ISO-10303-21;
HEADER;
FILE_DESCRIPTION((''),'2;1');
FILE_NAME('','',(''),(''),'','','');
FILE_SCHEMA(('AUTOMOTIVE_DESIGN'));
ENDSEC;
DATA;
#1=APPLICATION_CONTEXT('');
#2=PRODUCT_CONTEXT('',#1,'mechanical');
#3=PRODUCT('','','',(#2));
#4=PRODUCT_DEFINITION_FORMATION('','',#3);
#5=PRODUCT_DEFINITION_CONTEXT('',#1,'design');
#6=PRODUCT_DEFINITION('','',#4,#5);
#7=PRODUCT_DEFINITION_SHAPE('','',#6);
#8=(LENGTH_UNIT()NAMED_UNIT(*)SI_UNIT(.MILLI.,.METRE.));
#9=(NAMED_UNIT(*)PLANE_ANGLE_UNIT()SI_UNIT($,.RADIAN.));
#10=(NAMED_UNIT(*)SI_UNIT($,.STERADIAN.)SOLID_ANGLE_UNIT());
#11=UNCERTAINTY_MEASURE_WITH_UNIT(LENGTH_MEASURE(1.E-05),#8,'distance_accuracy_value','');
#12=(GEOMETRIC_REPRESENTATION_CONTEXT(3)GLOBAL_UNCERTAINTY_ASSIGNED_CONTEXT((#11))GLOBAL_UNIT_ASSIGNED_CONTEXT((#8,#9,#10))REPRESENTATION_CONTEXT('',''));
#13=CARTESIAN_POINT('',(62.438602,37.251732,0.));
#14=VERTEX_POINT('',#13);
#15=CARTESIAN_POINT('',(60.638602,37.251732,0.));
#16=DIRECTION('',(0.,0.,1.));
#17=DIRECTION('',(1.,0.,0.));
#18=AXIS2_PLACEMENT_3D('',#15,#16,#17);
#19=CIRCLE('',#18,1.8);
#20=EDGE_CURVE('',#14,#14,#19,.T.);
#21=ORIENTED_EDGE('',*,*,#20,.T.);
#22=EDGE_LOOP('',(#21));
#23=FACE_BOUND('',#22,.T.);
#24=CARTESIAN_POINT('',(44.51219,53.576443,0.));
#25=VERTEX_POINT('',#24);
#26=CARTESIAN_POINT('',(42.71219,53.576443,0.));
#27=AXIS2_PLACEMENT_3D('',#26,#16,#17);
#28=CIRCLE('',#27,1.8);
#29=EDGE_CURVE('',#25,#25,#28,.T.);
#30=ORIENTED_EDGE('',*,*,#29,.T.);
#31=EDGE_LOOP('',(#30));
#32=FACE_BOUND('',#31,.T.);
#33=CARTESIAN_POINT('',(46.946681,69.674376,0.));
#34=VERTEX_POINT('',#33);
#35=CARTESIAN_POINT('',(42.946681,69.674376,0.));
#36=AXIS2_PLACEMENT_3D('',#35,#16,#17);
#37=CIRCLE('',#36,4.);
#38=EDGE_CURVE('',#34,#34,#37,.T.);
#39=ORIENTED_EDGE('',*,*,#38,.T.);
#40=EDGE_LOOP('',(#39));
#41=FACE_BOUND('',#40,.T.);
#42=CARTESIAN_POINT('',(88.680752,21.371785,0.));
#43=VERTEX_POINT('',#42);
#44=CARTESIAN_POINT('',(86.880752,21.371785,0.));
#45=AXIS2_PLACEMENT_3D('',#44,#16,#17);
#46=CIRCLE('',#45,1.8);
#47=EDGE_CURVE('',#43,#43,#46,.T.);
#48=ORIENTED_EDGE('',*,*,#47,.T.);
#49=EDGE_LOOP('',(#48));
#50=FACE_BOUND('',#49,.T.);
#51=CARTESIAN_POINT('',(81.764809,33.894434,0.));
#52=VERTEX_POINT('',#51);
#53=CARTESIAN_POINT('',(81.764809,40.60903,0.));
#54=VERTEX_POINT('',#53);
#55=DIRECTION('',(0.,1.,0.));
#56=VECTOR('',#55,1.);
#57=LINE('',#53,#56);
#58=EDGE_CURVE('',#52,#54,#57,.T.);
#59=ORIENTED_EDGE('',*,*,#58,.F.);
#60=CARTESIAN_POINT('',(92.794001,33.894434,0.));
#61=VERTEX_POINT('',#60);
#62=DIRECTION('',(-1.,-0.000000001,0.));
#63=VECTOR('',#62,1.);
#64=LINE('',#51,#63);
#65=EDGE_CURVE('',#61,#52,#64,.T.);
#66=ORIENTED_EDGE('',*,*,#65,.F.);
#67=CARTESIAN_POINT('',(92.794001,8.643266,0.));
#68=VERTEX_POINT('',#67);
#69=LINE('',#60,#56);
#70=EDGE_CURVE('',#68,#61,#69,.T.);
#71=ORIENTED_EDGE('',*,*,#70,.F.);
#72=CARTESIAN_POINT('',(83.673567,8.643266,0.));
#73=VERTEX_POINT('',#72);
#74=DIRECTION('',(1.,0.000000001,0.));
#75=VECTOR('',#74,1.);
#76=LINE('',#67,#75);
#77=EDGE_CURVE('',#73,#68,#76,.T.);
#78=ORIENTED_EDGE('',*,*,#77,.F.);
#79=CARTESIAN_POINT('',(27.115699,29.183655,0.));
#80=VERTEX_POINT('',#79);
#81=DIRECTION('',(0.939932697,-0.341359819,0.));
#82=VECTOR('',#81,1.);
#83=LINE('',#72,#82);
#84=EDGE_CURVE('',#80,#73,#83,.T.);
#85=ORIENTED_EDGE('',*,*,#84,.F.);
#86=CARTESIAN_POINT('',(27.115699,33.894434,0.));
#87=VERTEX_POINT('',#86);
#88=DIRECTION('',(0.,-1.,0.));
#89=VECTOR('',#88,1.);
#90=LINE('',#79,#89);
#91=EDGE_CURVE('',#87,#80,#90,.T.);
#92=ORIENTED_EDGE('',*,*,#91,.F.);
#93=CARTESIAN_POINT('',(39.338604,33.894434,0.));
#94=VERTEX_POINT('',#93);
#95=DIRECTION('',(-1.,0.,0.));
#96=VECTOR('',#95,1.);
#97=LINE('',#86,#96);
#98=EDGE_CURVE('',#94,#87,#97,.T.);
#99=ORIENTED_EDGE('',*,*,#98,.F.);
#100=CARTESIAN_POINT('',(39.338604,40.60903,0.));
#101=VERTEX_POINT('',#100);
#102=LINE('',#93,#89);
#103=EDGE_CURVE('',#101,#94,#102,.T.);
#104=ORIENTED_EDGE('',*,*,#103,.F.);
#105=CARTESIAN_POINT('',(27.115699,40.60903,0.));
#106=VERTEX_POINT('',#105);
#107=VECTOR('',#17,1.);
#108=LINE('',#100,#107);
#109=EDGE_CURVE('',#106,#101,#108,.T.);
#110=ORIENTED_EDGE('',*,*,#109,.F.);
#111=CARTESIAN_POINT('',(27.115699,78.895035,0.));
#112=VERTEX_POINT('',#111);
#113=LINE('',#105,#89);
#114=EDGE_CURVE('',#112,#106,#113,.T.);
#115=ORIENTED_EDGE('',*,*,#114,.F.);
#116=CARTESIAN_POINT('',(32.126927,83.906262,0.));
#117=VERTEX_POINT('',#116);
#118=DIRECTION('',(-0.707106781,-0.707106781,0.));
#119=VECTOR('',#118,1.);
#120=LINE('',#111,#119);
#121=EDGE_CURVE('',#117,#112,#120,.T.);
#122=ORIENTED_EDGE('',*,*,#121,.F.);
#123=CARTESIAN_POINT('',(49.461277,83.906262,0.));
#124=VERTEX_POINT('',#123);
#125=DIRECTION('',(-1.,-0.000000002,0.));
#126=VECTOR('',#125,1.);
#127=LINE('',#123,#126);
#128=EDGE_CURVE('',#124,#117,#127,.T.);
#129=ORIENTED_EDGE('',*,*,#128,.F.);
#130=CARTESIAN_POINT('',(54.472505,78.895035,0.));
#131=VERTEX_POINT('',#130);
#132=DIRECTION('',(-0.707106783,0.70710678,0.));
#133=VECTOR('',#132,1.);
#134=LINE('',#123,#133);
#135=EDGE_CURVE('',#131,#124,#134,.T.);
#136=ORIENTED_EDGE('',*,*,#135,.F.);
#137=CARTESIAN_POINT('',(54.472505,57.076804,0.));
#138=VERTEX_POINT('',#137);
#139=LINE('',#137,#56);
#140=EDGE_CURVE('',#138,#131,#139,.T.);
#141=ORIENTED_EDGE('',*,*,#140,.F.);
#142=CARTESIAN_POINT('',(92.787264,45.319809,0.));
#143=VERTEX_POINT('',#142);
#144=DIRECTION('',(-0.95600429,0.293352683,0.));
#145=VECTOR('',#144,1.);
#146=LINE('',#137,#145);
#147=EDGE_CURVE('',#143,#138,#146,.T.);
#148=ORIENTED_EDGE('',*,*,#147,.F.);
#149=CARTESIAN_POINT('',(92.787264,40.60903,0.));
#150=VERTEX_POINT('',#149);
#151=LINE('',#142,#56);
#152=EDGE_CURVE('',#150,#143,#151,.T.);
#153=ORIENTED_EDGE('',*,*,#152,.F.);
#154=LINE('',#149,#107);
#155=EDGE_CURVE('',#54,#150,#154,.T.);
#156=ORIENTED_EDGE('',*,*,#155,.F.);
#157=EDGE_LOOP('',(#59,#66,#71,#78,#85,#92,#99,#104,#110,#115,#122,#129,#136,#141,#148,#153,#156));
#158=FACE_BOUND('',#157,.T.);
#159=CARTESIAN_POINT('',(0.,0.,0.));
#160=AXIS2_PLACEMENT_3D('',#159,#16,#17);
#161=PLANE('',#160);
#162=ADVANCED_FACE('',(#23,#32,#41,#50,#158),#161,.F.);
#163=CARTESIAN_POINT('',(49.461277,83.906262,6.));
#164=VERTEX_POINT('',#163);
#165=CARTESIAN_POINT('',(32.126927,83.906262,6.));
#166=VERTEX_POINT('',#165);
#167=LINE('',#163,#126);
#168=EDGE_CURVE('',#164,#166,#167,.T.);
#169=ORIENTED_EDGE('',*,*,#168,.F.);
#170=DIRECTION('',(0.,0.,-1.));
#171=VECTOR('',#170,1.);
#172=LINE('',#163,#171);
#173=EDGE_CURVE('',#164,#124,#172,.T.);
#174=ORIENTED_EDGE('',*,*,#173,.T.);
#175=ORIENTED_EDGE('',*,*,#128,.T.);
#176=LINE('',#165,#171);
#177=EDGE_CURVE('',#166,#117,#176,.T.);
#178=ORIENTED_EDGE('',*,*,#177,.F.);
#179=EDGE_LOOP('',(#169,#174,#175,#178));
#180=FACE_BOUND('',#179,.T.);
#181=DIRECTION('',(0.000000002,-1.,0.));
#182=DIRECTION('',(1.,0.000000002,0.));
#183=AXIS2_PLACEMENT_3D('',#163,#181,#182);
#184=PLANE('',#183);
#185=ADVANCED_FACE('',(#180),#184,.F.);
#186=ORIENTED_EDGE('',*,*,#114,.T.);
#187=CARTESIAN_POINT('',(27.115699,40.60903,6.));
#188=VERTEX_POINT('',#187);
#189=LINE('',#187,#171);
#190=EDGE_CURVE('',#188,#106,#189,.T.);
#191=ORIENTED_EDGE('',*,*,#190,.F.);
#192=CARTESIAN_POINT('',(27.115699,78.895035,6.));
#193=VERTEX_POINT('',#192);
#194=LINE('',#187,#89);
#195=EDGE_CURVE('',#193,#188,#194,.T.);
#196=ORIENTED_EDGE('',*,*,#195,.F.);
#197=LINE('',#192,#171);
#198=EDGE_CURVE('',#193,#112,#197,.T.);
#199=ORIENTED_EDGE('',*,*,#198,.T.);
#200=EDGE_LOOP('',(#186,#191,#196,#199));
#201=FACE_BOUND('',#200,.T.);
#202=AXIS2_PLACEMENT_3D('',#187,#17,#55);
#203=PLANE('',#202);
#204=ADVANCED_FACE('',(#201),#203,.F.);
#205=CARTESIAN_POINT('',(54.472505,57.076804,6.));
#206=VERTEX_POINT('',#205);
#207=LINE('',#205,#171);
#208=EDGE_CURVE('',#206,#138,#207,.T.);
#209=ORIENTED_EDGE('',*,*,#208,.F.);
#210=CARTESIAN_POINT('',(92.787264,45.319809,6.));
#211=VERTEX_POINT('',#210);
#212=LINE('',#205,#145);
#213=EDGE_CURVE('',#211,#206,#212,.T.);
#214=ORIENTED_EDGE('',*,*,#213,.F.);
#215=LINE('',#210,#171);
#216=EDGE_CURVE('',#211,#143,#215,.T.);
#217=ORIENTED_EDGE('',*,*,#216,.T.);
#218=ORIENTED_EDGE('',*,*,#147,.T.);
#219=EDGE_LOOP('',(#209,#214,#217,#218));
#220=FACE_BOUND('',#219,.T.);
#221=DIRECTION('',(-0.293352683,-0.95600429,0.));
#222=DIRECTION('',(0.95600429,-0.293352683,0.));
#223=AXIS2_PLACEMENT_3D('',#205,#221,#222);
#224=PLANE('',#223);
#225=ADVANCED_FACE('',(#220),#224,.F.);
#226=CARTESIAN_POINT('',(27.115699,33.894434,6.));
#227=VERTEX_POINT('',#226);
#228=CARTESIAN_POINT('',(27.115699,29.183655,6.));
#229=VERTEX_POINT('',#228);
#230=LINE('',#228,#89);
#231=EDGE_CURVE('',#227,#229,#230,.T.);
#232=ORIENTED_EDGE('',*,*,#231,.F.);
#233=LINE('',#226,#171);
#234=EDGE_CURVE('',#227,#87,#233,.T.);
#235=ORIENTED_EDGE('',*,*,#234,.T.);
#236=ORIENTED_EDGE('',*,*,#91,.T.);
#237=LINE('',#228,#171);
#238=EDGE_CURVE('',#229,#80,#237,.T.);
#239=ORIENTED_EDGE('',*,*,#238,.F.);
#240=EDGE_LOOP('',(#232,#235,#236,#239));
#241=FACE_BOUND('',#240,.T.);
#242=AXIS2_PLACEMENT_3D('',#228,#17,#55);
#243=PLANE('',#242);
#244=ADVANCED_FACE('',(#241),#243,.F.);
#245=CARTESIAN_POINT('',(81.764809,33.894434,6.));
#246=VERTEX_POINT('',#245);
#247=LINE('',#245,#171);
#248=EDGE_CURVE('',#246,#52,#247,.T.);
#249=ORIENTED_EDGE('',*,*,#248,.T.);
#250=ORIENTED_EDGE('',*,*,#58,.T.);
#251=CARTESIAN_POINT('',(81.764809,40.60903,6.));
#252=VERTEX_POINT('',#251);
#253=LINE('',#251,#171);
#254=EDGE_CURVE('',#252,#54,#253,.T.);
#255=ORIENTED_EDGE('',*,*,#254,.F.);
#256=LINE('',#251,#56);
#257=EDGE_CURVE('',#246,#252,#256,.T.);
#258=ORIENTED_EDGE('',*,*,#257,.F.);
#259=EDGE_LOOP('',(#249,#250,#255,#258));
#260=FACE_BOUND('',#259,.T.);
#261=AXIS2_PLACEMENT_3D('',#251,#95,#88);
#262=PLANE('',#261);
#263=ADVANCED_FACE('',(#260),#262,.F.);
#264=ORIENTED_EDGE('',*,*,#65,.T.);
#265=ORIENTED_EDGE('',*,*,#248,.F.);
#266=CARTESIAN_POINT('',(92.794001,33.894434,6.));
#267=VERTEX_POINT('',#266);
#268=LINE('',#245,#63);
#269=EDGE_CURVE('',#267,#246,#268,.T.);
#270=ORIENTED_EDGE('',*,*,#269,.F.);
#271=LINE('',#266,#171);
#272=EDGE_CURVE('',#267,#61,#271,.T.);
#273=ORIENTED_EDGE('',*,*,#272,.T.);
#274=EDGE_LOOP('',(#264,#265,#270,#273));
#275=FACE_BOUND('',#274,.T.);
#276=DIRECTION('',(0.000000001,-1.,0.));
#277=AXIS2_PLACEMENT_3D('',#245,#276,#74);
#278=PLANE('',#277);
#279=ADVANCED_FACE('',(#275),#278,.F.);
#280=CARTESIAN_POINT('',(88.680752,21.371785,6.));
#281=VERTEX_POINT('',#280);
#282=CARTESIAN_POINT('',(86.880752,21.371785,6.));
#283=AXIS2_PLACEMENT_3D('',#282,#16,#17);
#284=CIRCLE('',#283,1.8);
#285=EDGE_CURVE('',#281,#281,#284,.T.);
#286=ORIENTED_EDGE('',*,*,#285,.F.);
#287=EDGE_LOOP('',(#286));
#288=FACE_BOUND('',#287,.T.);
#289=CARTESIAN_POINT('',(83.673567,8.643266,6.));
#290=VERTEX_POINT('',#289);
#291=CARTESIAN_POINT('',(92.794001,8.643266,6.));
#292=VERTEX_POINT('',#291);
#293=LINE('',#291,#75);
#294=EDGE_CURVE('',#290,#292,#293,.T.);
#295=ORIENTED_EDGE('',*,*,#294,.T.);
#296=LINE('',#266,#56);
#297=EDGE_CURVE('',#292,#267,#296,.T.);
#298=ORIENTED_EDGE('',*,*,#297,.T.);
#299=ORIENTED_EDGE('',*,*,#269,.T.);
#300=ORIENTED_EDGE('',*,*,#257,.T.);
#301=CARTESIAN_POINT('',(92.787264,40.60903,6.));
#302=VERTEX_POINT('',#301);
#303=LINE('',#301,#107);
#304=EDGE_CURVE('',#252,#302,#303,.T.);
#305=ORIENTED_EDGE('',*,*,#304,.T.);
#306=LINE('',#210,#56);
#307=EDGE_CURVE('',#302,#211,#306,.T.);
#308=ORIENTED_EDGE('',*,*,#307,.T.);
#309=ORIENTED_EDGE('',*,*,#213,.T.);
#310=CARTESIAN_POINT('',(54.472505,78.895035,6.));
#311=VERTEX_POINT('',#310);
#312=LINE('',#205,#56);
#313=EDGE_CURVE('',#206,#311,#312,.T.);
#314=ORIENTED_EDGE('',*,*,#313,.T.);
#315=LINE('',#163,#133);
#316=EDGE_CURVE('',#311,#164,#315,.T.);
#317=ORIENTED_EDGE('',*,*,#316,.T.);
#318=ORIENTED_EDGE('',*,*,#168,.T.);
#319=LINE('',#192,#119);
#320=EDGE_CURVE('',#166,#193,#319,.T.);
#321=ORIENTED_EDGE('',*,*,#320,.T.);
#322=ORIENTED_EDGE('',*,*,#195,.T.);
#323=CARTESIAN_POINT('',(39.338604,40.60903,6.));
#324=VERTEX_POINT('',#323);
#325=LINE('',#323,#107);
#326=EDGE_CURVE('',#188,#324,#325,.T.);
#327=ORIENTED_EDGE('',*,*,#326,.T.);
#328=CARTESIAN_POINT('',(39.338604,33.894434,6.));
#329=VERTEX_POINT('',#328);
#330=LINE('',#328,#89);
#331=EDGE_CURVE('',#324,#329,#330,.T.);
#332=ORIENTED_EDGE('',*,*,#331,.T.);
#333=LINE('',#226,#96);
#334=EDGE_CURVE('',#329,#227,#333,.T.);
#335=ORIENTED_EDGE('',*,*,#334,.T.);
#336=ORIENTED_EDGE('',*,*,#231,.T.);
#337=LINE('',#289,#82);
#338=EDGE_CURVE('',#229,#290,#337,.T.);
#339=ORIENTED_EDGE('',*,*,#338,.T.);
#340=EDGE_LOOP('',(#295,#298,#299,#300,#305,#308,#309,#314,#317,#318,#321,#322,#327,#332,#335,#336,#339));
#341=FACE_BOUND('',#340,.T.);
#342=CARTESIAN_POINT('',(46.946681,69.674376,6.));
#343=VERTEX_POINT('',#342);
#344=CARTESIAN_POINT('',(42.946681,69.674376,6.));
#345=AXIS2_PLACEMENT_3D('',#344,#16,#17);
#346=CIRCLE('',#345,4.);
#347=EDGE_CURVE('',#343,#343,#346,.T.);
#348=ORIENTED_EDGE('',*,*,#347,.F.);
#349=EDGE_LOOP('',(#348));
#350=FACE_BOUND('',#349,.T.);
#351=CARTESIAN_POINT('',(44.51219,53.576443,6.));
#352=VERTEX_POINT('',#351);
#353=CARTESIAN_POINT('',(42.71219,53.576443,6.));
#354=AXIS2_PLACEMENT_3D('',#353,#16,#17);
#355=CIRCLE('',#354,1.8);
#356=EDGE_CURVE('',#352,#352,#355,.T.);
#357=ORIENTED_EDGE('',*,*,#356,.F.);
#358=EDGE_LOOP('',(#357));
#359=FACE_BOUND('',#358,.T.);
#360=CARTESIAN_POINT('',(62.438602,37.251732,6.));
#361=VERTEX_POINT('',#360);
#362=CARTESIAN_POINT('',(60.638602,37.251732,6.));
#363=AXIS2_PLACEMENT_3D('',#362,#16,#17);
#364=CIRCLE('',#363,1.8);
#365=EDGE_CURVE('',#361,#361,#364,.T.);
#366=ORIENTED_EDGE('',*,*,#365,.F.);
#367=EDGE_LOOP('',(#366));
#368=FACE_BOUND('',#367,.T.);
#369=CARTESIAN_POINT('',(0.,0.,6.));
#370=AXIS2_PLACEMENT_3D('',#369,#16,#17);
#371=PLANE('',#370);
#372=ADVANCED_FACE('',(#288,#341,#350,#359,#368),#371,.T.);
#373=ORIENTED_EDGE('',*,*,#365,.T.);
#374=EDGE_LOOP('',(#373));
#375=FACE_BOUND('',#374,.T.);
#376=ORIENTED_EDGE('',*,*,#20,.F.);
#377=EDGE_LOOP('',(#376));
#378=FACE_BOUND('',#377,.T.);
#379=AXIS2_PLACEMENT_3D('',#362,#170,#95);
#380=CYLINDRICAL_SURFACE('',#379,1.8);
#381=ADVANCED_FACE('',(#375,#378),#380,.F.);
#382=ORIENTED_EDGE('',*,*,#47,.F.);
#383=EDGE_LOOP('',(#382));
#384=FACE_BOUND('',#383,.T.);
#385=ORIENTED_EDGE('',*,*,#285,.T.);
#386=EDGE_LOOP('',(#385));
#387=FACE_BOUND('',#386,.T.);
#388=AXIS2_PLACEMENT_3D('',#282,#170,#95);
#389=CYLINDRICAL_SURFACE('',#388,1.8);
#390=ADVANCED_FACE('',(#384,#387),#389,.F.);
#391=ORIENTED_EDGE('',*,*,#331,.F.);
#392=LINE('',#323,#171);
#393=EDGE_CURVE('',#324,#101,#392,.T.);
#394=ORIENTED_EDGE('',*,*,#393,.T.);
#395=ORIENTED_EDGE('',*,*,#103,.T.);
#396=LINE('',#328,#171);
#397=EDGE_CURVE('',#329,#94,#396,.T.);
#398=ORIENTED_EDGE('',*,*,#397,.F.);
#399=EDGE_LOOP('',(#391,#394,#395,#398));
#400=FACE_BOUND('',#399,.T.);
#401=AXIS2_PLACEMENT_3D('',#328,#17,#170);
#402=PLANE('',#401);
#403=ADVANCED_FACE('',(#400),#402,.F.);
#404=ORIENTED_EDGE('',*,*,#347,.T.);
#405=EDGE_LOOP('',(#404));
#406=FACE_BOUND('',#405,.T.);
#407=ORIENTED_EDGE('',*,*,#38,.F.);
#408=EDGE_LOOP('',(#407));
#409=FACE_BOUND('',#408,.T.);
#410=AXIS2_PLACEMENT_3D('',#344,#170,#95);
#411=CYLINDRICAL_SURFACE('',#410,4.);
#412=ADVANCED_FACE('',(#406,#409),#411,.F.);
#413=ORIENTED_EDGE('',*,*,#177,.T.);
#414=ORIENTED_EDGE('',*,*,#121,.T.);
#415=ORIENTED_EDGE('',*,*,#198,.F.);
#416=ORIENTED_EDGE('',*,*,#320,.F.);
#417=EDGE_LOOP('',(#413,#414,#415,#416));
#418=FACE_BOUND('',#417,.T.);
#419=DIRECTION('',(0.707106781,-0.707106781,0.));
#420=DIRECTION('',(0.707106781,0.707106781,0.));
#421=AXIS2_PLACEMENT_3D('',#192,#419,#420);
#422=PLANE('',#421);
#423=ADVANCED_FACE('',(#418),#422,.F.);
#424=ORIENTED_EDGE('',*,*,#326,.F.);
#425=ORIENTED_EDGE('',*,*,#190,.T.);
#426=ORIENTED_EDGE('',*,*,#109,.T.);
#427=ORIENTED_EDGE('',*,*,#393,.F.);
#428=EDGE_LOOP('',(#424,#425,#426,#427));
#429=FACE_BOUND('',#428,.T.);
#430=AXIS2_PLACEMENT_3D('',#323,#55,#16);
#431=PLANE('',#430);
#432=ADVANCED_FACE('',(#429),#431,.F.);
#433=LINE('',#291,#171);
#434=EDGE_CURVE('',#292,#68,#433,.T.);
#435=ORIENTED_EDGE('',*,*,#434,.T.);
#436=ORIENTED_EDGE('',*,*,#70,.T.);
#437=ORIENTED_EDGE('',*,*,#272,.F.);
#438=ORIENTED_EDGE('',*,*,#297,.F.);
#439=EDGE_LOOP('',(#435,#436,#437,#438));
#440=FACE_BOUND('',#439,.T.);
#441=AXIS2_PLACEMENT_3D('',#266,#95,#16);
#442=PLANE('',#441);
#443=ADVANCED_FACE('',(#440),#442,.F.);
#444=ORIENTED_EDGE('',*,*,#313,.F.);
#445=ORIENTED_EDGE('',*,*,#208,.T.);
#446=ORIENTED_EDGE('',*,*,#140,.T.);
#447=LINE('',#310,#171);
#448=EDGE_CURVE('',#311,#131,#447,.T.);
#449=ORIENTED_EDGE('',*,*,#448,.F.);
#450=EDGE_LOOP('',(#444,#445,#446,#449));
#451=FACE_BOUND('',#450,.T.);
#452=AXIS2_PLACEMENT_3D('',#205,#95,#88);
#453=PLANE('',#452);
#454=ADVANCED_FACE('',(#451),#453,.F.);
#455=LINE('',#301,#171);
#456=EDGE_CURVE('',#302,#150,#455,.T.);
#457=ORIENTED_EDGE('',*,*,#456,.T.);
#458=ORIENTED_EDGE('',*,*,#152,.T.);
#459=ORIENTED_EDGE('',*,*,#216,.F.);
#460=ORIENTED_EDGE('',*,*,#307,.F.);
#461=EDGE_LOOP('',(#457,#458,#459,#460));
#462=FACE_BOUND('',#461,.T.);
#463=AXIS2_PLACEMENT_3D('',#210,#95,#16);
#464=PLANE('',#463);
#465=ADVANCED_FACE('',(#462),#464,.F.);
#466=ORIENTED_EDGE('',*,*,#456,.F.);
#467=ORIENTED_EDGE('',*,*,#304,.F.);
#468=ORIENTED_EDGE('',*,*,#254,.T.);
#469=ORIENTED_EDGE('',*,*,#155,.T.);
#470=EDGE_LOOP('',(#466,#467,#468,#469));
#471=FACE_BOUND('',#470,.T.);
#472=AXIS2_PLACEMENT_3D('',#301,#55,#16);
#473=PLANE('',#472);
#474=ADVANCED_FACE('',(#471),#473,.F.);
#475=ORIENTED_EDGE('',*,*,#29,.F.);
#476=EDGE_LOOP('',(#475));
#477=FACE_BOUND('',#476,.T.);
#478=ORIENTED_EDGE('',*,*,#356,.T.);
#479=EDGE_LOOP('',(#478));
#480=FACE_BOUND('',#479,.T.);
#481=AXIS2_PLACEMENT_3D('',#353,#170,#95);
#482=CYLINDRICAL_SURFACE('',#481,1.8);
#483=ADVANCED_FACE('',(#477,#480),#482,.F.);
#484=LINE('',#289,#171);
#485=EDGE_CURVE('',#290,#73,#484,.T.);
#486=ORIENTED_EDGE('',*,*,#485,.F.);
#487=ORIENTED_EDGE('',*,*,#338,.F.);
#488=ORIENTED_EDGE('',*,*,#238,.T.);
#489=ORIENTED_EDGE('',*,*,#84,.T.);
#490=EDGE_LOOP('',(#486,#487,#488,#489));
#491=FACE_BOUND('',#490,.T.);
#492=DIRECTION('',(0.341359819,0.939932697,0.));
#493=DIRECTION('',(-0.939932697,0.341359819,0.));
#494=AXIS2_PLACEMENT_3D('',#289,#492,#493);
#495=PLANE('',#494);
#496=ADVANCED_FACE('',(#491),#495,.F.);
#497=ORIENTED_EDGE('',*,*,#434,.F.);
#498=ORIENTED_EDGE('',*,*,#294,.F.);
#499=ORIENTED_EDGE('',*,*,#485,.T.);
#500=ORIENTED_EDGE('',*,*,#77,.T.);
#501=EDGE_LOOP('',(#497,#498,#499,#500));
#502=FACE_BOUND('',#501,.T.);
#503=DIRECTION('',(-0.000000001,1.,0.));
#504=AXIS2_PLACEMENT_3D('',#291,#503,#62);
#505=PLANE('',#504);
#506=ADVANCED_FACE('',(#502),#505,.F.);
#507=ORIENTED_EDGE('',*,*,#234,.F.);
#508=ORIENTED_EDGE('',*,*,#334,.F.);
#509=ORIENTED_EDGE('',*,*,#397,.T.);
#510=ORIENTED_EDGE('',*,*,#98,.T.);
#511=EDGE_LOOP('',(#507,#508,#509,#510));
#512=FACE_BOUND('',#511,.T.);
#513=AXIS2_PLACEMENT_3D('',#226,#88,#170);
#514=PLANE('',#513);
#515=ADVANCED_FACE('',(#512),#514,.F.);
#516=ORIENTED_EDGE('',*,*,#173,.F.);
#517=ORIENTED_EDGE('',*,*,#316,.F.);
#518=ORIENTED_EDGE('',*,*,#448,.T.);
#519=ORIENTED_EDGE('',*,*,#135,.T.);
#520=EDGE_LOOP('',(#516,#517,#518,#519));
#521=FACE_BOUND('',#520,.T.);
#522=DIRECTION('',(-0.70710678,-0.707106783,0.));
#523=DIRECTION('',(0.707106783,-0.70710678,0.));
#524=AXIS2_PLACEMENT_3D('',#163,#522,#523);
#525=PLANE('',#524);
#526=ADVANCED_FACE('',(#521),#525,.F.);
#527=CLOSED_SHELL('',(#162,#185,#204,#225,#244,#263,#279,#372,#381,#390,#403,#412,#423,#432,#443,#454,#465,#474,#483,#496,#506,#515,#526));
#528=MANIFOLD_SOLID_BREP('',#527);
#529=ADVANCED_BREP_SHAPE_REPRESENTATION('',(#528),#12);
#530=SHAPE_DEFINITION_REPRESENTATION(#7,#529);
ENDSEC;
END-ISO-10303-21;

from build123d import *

# Parameters (mm, degrees)
MODEL_R                  = 1.8
MODEL_R_2                = 4
RESSALTO_EXTRUS_O1_DEPTH = 6


with BuildPart() as part:
    # Model → Ressalto-extrusão1 (new body)
    with BuildSketch(Plane.XY):
        Polygon((39.338603549, 33.894434028), (39.338603549, 40.60903008), (27.115699134, 40.60903008), (27.115699127, 78.895034597), (32.12692686, 83.90626233), (49.461276894, 83.906262358), (54.472504627, 78.895034645), (54.472504634, 57.076803542), (92.787264171, 45.319808703), (92.787264171, 40.60903008), (81.764808786, 40.60903008), (81.764808786, 33.894434028), (92.79400105, 33.894434035), (92.79400105, 8.643266236), (83.673566577, 8.643266228), (27.115699134, 29.183655407), (27.115699134, 33.894434028), align=None)
        with Locations((86.880751581, 21.371784671)):
            Circle(MODEL_R, mode=Mode.SUBTRACT)
        with Locations((60.638601845, 37.251732042)):
            Circle(MODEL_R, mode=Mode.SUBTRACT)
        with Locations((42.712190227, 53.576442757)):
            Circle(MODEL_R, mode=Mode.SUBTRACT)
        with Locations((42.946680849, 69.67437556)):
            Circle(MODEL_R_2, mode=Mode.SUBTRACT)
    extrude(amount=RESSALTO_EXTRUS_O1_DEPTH)


solid = part.part
